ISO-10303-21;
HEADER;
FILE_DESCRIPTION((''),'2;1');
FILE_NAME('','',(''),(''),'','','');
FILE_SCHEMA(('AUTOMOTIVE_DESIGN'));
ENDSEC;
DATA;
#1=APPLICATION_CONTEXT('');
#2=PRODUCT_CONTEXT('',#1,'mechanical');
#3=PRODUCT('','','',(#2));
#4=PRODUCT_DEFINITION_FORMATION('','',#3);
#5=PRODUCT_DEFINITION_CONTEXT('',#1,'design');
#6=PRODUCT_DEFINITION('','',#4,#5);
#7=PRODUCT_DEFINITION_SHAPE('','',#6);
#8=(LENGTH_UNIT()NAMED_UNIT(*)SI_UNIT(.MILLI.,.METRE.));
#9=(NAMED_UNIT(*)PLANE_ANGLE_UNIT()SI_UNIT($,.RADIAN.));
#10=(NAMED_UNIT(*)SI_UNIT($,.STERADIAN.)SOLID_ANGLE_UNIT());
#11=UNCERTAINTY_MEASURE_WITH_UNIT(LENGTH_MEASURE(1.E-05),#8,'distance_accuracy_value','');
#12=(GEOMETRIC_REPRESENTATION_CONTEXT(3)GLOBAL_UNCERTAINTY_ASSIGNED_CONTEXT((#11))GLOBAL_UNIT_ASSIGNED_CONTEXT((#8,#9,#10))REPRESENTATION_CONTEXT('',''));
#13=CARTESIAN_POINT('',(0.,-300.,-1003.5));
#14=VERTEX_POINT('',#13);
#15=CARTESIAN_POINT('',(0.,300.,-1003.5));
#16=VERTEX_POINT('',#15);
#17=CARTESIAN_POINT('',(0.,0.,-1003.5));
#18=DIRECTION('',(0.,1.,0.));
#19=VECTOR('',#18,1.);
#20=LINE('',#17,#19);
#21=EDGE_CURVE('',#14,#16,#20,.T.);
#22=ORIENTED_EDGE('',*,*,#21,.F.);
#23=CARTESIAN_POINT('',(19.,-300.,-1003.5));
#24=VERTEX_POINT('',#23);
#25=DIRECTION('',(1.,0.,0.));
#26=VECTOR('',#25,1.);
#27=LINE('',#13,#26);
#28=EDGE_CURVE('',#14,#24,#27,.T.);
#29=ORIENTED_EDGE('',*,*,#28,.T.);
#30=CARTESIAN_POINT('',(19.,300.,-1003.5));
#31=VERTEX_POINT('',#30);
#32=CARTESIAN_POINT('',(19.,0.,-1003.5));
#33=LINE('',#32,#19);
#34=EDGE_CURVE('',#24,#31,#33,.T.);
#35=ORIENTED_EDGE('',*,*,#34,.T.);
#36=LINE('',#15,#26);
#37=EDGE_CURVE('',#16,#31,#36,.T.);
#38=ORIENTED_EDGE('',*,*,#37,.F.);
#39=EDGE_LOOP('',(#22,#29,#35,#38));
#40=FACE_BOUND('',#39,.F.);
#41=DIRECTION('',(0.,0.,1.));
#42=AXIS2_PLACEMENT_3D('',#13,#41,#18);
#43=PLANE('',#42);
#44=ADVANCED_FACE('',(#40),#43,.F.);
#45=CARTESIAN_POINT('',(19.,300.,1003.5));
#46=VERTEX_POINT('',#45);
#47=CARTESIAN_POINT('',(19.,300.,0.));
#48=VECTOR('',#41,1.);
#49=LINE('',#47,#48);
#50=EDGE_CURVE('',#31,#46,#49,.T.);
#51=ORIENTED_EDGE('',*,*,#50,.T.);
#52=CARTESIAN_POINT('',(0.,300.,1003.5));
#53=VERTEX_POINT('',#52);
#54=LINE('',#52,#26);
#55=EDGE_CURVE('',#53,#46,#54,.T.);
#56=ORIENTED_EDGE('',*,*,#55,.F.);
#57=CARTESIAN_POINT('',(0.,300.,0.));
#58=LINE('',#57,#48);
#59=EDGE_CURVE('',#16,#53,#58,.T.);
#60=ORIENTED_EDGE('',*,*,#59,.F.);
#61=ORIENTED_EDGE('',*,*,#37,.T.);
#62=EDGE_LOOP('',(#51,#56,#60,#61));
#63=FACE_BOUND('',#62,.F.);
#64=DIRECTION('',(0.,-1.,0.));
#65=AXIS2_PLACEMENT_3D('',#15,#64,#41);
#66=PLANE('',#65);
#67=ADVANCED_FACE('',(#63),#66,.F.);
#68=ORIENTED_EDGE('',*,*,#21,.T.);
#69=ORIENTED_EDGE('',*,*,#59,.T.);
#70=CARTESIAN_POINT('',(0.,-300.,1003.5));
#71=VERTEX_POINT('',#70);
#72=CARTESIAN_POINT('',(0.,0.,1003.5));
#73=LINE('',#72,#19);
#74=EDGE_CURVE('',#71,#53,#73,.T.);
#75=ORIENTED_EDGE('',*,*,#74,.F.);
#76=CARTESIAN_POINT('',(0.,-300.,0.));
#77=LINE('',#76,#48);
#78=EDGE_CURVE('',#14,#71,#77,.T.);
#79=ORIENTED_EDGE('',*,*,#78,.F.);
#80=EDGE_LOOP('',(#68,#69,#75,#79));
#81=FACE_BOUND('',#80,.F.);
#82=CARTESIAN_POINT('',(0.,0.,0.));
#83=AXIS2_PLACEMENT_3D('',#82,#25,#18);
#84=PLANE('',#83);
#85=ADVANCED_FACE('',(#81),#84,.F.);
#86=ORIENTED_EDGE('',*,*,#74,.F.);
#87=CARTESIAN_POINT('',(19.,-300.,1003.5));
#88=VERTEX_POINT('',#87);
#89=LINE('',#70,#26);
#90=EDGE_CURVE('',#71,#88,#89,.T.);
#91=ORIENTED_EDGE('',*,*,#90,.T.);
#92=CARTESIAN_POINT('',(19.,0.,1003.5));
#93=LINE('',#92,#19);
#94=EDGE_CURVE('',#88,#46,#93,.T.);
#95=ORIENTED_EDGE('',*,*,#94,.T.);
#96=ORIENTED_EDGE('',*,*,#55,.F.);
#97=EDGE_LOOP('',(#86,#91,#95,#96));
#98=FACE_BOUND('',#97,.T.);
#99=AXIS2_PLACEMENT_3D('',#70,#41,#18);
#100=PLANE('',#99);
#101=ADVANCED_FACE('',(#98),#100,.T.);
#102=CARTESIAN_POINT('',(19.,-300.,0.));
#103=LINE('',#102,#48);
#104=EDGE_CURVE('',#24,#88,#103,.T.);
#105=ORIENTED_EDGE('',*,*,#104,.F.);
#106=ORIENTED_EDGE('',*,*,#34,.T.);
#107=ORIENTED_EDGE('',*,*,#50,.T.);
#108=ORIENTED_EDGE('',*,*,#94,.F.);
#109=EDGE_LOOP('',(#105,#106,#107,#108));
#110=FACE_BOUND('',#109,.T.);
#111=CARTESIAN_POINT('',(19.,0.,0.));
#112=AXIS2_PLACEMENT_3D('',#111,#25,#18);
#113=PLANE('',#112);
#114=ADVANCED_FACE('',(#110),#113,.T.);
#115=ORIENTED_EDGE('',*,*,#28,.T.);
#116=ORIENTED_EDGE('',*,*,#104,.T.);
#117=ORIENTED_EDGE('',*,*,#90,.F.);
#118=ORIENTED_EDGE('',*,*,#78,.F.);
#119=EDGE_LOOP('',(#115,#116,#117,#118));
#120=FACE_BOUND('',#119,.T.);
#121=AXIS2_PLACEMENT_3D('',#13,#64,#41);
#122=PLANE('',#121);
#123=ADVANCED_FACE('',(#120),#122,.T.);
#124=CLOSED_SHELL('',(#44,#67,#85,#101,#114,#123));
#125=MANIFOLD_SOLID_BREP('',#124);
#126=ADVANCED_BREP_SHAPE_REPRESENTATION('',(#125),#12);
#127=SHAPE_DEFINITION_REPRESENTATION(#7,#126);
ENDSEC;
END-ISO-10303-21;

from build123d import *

# Parameters (mm, degrees)
SKETCH001_W  = 600
SKETCH001_H  = 2007
PAD001_DEPTH = 19


with BuildPart() as part:
    # Sketch001 → Pad001 (new body)
    with BuildSketch(Plane.YZ):
        Rectangle(SKETCH001_W, SKETCH001_H)
    extrude(amount=PAD001_DEPTH)


solid = part.part
